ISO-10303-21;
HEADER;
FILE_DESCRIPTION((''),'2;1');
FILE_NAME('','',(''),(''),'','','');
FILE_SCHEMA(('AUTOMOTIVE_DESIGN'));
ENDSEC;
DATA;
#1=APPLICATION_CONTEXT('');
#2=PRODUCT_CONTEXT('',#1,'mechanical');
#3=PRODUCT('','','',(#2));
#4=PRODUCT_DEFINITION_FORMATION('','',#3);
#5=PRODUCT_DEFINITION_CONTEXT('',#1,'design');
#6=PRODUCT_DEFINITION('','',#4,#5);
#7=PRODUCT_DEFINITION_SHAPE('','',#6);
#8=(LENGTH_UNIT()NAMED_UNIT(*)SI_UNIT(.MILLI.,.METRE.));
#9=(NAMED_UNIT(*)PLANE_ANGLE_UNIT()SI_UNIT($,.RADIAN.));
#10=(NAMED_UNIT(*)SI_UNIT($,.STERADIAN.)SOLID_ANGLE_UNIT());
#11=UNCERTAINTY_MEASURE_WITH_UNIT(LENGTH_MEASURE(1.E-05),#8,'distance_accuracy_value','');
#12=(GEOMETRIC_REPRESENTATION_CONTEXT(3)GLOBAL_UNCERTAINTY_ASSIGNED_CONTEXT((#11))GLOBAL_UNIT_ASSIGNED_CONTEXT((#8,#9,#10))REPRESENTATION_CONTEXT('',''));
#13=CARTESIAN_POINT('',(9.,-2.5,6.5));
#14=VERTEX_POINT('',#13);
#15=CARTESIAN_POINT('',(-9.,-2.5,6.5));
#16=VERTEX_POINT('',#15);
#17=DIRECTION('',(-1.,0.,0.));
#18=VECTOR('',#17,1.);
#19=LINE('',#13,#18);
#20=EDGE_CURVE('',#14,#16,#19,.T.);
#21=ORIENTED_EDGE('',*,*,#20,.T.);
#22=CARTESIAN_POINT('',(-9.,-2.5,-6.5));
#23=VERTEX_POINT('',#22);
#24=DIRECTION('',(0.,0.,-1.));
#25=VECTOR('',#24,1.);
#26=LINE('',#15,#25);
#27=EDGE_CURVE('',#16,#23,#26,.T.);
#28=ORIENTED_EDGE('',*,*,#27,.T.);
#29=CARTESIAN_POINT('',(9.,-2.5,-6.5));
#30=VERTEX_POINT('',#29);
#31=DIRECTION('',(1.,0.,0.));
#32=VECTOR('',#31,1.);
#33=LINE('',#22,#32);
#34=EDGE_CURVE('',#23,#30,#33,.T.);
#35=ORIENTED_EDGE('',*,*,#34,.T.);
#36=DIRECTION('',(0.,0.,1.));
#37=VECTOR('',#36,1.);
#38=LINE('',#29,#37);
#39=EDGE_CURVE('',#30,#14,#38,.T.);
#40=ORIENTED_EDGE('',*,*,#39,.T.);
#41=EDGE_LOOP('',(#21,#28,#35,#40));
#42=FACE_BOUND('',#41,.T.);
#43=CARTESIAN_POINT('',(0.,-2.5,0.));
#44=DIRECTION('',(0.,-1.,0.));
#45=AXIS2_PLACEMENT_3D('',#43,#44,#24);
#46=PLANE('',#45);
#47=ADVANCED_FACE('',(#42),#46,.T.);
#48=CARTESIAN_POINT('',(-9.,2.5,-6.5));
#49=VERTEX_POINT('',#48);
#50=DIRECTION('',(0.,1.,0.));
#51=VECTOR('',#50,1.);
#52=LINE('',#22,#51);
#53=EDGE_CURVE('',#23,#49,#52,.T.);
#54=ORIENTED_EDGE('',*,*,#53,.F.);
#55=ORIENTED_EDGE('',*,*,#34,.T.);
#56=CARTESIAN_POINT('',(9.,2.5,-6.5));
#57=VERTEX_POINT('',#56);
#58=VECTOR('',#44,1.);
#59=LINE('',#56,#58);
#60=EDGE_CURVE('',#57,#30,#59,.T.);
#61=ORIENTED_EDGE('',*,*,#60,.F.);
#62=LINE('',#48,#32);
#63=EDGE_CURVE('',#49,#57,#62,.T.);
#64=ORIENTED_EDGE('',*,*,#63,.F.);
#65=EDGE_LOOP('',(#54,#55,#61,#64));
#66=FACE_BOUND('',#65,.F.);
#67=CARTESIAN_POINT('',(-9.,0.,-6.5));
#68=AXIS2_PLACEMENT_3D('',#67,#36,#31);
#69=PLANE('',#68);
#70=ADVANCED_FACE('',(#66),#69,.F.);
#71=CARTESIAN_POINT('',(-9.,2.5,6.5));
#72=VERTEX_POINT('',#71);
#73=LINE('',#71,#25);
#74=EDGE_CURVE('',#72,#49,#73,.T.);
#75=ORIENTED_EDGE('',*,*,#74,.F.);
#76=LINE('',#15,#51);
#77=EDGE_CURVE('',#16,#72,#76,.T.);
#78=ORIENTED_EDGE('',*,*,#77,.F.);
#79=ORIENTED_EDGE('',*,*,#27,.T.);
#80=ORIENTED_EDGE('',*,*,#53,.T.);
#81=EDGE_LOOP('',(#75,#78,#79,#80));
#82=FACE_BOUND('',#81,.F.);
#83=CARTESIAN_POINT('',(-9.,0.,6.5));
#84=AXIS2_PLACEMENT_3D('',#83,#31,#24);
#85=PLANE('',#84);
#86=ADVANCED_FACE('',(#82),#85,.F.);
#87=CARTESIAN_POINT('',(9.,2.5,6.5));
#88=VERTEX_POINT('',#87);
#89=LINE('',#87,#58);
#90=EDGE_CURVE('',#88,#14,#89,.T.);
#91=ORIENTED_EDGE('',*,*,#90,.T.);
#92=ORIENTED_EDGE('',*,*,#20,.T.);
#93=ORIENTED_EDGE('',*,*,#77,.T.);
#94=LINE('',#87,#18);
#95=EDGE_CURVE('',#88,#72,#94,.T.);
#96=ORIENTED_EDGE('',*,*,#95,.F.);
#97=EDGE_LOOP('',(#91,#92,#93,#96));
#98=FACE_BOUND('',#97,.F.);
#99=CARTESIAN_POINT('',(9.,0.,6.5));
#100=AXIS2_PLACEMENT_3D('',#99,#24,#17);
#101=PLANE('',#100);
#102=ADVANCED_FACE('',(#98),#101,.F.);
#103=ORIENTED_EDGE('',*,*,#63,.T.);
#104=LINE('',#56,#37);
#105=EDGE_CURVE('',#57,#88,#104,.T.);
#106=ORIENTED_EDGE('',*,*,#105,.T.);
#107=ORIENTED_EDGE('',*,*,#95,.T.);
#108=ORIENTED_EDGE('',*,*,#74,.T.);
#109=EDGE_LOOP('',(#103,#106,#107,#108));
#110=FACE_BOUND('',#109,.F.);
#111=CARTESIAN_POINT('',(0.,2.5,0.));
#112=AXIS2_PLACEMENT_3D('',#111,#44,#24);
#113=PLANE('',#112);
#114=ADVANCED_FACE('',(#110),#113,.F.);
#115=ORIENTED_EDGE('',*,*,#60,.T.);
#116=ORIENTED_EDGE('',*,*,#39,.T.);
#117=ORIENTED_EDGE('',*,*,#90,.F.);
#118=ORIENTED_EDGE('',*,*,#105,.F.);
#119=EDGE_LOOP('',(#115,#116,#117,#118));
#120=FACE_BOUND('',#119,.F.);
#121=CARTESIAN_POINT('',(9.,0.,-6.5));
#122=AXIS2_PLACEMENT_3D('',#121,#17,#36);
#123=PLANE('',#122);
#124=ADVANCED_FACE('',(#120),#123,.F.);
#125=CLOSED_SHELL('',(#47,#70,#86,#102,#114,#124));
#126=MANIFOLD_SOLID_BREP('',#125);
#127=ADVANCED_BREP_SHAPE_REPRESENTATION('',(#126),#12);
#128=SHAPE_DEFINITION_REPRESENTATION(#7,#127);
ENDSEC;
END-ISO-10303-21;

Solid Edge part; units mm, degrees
sketch "Sketch1" plane through (0, 0, 0) normal (0, -1, 0) x (1, 0, 0)
  line L0 (-9, -6.5) -> (9, -6.5)
  line L1 (9, -6.5) -> (9, 6.5)
  line L2 (9, 6.5) -> (-9, 6.5)
  line L3 (-9, 6.5) -> (-9, -6.5)
  dimension "D1" = 18
  dimension "D2" = 13
extrude "Protrusion1" add sketch "Sketch1" along normal mid plane 5
